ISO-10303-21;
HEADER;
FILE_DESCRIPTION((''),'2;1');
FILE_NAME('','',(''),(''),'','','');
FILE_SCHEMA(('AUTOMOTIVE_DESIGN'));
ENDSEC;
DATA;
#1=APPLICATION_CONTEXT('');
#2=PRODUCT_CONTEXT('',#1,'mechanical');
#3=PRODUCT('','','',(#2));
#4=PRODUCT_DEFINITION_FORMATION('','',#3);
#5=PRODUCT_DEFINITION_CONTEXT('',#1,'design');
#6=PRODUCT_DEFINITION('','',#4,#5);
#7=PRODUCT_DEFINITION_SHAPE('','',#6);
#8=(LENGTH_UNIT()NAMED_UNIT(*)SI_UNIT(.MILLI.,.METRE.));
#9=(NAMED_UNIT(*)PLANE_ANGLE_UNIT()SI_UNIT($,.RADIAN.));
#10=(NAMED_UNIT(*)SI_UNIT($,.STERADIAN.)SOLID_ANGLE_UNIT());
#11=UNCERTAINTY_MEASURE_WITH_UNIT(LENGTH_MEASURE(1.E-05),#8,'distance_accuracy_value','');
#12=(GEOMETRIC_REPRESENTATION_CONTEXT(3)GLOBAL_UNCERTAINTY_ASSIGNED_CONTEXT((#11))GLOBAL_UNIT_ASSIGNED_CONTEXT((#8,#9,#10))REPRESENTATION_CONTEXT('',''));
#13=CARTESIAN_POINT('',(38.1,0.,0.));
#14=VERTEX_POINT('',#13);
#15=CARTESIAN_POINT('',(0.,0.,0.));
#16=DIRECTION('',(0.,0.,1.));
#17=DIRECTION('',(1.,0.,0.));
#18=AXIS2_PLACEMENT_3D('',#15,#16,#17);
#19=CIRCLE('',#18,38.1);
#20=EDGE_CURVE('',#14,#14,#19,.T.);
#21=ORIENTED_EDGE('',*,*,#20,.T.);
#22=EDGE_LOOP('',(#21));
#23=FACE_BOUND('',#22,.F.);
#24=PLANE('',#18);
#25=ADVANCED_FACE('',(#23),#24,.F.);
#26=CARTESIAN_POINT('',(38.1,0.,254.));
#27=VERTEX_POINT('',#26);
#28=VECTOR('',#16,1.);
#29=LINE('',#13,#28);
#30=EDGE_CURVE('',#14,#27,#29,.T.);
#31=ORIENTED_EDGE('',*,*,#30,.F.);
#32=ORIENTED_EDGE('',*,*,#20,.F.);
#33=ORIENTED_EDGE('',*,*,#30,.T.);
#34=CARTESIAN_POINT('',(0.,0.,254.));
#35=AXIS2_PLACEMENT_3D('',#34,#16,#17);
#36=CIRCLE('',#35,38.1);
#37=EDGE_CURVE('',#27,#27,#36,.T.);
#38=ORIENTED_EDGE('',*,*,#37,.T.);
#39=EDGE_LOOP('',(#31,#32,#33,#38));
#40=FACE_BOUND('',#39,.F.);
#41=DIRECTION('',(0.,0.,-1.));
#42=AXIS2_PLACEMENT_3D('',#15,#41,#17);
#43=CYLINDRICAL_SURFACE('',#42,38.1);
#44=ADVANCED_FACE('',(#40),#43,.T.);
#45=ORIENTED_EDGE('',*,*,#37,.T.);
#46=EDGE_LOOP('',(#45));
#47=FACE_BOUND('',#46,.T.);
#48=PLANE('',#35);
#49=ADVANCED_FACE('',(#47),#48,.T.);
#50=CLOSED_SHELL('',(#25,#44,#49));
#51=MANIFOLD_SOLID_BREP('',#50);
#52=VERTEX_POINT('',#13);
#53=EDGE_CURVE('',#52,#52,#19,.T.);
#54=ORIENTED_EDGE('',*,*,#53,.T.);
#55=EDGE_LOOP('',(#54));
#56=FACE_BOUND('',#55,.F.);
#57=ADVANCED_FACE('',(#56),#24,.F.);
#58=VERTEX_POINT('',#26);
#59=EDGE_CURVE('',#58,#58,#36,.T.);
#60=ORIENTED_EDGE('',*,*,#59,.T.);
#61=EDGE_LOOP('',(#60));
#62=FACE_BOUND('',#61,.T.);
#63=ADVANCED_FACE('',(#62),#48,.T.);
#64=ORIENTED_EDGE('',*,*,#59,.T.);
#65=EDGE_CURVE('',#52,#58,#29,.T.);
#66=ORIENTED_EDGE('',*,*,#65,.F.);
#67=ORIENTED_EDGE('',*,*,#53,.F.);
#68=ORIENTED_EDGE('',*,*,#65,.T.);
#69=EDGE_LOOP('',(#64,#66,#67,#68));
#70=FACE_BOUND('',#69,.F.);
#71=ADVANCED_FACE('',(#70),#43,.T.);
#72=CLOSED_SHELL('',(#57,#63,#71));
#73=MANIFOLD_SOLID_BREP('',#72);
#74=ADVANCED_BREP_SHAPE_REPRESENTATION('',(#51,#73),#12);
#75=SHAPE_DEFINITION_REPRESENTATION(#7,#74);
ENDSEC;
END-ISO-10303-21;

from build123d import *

# Parameters (mm, degrees)
F0_R     = 38.1
F3_DEPTH = 254
F1_R     = 38.1
F1_R_2   = 25.4


with BuildPart() as f3:
    # F0 (on Top) → F3 (new body)
    with BuildSketch(Plane.XY):
        Circle(F0_R)
    extrude(amount=F3_DEPTH)


with BuildPart() as f3b:
    # F1 (on face) → F3, piece 2 (new body)
    with BuildSketch(Plane.XY):
        Circle(F1_R)
        Circle(F1_R_2, mode=Mode.SUBTRACT)
        Circle(F1_R_2)
    extrude(amount=F3_DEPTH)


solid = Compound([f3.part, f3b.part])
